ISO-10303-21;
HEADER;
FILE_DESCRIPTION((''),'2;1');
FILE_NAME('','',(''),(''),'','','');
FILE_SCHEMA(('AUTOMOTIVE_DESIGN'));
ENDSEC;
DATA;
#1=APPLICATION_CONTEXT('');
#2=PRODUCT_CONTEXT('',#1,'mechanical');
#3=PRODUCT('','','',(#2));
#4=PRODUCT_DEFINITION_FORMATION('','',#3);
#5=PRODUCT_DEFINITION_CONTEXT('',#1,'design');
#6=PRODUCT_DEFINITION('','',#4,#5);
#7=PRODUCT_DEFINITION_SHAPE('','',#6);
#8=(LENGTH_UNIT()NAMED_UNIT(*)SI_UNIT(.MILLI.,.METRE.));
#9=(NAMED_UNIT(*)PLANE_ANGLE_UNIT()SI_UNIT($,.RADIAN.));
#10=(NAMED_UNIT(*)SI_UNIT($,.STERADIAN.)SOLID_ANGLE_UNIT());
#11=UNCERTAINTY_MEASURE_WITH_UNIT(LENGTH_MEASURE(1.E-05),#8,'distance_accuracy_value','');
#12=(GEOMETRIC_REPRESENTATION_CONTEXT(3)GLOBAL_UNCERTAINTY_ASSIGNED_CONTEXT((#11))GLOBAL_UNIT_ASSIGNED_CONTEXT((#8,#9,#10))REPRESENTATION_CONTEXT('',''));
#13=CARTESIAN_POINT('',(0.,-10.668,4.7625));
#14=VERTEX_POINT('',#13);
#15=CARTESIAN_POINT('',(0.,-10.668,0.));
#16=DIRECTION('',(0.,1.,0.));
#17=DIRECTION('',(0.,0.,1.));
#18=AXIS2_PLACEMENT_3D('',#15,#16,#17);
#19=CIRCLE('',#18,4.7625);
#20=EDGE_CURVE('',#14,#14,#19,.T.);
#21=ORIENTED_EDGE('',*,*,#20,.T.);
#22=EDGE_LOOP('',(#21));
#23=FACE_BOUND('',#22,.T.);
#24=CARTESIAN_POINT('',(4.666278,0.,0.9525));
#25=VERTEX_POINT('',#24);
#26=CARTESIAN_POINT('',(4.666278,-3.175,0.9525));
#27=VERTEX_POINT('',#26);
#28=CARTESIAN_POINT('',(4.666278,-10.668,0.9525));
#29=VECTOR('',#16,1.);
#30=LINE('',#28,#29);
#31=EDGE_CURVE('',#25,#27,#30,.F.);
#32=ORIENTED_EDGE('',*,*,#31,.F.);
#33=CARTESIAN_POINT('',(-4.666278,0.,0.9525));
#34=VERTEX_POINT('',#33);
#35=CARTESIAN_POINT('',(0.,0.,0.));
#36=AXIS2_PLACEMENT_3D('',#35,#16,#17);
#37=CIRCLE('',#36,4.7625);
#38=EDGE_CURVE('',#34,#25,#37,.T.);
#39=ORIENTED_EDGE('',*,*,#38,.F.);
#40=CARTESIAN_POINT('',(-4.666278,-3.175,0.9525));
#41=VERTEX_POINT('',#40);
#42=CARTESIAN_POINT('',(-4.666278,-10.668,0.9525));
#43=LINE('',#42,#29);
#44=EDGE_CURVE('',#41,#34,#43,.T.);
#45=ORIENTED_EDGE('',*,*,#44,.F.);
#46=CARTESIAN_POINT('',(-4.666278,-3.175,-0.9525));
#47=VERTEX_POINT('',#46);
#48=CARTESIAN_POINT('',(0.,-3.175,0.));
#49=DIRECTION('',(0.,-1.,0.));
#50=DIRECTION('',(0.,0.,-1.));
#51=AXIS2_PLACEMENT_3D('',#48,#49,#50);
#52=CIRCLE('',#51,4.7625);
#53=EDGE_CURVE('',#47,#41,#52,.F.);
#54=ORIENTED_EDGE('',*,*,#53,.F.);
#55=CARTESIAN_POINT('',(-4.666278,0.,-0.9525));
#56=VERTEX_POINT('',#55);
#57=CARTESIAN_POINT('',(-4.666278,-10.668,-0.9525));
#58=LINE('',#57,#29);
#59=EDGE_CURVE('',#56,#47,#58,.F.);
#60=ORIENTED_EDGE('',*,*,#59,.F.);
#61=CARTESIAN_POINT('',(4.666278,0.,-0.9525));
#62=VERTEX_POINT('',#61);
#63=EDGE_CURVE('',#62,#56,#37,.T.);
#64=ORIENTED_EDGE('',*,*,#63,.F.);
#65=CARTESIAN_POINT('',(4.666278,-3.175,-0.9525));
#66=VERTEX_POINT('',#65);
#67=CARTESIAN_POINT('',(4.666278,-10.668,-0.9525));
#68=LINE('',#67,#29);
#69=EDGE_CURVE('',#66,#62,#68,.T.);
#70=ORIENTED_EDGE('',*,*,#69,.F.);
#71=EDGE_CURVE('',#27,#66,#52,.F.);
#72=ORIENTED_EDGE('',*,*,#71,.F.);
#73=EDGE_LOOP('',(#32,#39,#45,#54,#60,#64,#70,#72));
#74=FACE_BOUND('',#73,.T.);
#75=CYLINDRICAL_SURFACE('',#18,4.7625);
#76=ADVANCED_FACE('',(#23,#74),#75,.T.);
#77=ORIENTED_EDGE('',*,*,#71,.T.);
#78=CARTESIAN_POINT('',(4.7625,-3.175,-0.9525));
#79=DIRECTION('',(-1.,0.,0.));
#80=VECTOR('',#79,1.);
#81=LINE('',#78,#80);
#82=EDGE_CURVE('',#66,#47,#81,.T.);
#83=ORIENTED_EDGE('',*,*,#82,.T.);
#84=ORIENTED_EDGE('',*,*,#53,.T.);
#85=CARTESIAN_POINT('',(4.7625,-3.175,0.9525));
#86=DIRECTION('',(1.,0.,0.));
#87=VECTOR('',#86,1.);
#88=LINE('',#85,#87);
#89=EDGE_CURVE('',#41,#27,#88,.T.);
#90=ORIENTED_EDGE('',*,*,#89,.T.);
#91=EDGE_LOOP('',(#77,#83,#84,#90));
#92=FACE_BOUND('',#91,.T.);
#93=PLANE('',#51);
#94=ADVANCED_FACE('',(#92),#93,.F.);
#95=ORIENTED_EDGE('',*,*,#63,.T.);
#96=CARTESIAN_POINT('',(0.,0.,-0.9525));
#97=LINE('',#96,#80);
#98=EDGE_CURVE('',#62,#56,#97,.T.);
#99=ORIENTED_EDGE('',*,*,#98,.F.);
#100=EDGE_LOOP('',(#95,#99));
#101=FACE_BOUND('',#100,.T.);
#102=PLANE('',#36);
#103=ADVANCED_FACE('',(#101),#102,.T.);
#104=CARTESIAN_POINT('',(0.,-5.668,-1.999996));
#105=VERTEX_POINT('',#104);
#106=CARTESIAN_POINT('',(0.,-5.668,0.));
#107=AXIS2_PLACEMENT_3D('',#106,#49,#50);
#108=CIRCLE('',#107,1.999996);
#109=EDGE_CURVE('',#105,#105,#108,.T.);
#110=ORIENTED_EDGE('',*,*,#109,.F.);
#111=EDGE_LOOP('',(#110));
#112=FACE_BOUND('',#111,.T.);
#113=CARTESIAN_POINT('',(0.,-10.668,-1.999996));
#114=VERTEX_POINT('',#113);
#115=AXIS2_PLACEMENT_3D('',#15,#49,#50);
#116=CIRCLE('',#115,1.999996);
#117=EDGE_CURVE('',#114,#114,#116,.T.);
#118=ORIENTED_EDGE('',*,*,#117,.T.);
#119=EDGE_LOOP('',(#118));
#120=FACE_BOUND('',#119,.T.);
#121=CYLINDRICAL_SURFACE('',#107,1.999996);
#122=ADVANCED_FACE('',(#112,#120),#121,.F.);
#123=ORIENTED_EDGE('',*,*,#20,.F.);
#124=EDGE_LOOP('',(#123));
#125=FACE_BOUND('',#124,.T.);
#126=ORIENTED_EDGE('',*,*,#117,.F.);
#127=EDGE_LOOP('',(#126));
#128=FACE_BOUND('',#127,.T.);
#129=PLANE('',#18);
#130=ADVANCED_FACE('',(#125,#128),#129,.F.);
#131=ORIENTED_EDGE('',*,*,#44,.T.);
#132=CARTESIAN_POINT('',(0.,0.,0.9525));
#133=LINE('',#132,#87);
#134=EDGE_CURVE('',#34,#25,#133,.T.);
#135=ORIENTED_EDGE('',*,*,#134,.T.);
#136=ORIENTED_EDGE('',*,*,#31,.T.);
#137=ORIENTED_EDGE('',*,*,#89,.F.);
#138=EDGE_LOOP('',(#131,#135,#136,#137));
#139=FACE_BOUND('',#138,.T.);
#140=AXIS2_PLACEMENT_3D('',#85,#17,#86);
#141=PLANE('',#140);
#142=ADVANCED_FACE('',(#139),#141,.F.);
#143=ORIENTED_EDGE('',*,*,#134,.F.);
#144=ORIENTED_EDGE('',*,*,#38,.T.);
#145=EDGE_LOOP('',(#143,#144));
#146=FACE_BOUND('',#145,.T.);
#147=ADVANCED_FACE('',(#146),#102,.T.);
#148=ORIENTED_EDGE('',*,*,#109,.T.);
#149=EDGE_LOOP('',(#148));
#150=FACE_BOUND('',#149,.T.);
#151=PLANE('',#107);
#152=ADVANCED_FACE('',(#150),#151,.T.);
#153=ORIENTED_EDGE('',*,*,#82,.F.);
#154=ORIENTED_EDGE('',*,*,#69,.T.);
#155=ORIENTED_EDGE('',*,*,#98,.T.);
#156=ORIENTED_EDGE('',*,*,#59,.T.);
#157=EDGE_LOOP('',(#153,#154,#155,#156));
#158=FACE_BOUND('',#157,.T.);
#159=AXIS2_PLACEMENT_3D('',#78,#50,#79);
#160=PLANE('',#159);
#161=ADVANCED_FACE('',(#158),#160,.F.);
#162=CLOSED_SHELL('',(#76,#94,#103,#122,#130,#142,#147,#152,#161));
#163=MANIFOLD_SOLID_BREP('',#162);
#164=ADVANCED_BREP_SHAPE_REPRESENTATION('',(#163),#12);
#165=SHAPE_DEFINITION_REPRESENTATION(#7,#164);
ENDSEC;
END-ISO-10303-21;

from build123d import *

# Parameters (mm, degrees)
SKETCH1_R           = 4.7625
BOSS_EXTRUDE1_DEPTH = 10.668
SKETCH2_W           = 9.525
SKETCH2_H           = 1.905
CUT_EXTRUDE1_DEPTH  = 3.175
SKETCH3_R           = 1.999996
CUT_EXTRUDE2_DEPTH  = 5


with BuildPart() as part:
    # Sketch1 → Boss-Extrude1 (new body)
    with BuildSketch(Plane(origin=(0, 0, 0), x_dir=(1, 0, 0), z_dir=(0, 1, 0))):
        with Locations(Location((0, 0, 0), (0, 0, 270))):
            Circle(SKETCH1_R)
    extrude(amount=-BOSS_EXTRUDE1_DEPTH)

    # Sketch2 → Cut-Extrude1 (cut)
    with BuildSketch(Plane(origin=(0, 0, 0), x_dir=(1, 0, 0), z_dir=(0, 1, 0))):
        Rectangle(SKETCH2_W, SKETCH2_H)
    extrude(amount=-CUT_EXTRUDE1_DEPTH, mode=Mode.SUBTRACT)

    # Sketch3 → Cut-Extrude2 (cut)
    with BuildSketch(Plane.XZ.offset(10.668)):
        with Locations(Location((0, 0, 0), (0, 0, 270))):
            Circle(SKETCH3_R)
    extrude(amount=-CUT_EXTRUDE2_DEPTH, mode=Mode.SUBTRACT)


solid = part.part
